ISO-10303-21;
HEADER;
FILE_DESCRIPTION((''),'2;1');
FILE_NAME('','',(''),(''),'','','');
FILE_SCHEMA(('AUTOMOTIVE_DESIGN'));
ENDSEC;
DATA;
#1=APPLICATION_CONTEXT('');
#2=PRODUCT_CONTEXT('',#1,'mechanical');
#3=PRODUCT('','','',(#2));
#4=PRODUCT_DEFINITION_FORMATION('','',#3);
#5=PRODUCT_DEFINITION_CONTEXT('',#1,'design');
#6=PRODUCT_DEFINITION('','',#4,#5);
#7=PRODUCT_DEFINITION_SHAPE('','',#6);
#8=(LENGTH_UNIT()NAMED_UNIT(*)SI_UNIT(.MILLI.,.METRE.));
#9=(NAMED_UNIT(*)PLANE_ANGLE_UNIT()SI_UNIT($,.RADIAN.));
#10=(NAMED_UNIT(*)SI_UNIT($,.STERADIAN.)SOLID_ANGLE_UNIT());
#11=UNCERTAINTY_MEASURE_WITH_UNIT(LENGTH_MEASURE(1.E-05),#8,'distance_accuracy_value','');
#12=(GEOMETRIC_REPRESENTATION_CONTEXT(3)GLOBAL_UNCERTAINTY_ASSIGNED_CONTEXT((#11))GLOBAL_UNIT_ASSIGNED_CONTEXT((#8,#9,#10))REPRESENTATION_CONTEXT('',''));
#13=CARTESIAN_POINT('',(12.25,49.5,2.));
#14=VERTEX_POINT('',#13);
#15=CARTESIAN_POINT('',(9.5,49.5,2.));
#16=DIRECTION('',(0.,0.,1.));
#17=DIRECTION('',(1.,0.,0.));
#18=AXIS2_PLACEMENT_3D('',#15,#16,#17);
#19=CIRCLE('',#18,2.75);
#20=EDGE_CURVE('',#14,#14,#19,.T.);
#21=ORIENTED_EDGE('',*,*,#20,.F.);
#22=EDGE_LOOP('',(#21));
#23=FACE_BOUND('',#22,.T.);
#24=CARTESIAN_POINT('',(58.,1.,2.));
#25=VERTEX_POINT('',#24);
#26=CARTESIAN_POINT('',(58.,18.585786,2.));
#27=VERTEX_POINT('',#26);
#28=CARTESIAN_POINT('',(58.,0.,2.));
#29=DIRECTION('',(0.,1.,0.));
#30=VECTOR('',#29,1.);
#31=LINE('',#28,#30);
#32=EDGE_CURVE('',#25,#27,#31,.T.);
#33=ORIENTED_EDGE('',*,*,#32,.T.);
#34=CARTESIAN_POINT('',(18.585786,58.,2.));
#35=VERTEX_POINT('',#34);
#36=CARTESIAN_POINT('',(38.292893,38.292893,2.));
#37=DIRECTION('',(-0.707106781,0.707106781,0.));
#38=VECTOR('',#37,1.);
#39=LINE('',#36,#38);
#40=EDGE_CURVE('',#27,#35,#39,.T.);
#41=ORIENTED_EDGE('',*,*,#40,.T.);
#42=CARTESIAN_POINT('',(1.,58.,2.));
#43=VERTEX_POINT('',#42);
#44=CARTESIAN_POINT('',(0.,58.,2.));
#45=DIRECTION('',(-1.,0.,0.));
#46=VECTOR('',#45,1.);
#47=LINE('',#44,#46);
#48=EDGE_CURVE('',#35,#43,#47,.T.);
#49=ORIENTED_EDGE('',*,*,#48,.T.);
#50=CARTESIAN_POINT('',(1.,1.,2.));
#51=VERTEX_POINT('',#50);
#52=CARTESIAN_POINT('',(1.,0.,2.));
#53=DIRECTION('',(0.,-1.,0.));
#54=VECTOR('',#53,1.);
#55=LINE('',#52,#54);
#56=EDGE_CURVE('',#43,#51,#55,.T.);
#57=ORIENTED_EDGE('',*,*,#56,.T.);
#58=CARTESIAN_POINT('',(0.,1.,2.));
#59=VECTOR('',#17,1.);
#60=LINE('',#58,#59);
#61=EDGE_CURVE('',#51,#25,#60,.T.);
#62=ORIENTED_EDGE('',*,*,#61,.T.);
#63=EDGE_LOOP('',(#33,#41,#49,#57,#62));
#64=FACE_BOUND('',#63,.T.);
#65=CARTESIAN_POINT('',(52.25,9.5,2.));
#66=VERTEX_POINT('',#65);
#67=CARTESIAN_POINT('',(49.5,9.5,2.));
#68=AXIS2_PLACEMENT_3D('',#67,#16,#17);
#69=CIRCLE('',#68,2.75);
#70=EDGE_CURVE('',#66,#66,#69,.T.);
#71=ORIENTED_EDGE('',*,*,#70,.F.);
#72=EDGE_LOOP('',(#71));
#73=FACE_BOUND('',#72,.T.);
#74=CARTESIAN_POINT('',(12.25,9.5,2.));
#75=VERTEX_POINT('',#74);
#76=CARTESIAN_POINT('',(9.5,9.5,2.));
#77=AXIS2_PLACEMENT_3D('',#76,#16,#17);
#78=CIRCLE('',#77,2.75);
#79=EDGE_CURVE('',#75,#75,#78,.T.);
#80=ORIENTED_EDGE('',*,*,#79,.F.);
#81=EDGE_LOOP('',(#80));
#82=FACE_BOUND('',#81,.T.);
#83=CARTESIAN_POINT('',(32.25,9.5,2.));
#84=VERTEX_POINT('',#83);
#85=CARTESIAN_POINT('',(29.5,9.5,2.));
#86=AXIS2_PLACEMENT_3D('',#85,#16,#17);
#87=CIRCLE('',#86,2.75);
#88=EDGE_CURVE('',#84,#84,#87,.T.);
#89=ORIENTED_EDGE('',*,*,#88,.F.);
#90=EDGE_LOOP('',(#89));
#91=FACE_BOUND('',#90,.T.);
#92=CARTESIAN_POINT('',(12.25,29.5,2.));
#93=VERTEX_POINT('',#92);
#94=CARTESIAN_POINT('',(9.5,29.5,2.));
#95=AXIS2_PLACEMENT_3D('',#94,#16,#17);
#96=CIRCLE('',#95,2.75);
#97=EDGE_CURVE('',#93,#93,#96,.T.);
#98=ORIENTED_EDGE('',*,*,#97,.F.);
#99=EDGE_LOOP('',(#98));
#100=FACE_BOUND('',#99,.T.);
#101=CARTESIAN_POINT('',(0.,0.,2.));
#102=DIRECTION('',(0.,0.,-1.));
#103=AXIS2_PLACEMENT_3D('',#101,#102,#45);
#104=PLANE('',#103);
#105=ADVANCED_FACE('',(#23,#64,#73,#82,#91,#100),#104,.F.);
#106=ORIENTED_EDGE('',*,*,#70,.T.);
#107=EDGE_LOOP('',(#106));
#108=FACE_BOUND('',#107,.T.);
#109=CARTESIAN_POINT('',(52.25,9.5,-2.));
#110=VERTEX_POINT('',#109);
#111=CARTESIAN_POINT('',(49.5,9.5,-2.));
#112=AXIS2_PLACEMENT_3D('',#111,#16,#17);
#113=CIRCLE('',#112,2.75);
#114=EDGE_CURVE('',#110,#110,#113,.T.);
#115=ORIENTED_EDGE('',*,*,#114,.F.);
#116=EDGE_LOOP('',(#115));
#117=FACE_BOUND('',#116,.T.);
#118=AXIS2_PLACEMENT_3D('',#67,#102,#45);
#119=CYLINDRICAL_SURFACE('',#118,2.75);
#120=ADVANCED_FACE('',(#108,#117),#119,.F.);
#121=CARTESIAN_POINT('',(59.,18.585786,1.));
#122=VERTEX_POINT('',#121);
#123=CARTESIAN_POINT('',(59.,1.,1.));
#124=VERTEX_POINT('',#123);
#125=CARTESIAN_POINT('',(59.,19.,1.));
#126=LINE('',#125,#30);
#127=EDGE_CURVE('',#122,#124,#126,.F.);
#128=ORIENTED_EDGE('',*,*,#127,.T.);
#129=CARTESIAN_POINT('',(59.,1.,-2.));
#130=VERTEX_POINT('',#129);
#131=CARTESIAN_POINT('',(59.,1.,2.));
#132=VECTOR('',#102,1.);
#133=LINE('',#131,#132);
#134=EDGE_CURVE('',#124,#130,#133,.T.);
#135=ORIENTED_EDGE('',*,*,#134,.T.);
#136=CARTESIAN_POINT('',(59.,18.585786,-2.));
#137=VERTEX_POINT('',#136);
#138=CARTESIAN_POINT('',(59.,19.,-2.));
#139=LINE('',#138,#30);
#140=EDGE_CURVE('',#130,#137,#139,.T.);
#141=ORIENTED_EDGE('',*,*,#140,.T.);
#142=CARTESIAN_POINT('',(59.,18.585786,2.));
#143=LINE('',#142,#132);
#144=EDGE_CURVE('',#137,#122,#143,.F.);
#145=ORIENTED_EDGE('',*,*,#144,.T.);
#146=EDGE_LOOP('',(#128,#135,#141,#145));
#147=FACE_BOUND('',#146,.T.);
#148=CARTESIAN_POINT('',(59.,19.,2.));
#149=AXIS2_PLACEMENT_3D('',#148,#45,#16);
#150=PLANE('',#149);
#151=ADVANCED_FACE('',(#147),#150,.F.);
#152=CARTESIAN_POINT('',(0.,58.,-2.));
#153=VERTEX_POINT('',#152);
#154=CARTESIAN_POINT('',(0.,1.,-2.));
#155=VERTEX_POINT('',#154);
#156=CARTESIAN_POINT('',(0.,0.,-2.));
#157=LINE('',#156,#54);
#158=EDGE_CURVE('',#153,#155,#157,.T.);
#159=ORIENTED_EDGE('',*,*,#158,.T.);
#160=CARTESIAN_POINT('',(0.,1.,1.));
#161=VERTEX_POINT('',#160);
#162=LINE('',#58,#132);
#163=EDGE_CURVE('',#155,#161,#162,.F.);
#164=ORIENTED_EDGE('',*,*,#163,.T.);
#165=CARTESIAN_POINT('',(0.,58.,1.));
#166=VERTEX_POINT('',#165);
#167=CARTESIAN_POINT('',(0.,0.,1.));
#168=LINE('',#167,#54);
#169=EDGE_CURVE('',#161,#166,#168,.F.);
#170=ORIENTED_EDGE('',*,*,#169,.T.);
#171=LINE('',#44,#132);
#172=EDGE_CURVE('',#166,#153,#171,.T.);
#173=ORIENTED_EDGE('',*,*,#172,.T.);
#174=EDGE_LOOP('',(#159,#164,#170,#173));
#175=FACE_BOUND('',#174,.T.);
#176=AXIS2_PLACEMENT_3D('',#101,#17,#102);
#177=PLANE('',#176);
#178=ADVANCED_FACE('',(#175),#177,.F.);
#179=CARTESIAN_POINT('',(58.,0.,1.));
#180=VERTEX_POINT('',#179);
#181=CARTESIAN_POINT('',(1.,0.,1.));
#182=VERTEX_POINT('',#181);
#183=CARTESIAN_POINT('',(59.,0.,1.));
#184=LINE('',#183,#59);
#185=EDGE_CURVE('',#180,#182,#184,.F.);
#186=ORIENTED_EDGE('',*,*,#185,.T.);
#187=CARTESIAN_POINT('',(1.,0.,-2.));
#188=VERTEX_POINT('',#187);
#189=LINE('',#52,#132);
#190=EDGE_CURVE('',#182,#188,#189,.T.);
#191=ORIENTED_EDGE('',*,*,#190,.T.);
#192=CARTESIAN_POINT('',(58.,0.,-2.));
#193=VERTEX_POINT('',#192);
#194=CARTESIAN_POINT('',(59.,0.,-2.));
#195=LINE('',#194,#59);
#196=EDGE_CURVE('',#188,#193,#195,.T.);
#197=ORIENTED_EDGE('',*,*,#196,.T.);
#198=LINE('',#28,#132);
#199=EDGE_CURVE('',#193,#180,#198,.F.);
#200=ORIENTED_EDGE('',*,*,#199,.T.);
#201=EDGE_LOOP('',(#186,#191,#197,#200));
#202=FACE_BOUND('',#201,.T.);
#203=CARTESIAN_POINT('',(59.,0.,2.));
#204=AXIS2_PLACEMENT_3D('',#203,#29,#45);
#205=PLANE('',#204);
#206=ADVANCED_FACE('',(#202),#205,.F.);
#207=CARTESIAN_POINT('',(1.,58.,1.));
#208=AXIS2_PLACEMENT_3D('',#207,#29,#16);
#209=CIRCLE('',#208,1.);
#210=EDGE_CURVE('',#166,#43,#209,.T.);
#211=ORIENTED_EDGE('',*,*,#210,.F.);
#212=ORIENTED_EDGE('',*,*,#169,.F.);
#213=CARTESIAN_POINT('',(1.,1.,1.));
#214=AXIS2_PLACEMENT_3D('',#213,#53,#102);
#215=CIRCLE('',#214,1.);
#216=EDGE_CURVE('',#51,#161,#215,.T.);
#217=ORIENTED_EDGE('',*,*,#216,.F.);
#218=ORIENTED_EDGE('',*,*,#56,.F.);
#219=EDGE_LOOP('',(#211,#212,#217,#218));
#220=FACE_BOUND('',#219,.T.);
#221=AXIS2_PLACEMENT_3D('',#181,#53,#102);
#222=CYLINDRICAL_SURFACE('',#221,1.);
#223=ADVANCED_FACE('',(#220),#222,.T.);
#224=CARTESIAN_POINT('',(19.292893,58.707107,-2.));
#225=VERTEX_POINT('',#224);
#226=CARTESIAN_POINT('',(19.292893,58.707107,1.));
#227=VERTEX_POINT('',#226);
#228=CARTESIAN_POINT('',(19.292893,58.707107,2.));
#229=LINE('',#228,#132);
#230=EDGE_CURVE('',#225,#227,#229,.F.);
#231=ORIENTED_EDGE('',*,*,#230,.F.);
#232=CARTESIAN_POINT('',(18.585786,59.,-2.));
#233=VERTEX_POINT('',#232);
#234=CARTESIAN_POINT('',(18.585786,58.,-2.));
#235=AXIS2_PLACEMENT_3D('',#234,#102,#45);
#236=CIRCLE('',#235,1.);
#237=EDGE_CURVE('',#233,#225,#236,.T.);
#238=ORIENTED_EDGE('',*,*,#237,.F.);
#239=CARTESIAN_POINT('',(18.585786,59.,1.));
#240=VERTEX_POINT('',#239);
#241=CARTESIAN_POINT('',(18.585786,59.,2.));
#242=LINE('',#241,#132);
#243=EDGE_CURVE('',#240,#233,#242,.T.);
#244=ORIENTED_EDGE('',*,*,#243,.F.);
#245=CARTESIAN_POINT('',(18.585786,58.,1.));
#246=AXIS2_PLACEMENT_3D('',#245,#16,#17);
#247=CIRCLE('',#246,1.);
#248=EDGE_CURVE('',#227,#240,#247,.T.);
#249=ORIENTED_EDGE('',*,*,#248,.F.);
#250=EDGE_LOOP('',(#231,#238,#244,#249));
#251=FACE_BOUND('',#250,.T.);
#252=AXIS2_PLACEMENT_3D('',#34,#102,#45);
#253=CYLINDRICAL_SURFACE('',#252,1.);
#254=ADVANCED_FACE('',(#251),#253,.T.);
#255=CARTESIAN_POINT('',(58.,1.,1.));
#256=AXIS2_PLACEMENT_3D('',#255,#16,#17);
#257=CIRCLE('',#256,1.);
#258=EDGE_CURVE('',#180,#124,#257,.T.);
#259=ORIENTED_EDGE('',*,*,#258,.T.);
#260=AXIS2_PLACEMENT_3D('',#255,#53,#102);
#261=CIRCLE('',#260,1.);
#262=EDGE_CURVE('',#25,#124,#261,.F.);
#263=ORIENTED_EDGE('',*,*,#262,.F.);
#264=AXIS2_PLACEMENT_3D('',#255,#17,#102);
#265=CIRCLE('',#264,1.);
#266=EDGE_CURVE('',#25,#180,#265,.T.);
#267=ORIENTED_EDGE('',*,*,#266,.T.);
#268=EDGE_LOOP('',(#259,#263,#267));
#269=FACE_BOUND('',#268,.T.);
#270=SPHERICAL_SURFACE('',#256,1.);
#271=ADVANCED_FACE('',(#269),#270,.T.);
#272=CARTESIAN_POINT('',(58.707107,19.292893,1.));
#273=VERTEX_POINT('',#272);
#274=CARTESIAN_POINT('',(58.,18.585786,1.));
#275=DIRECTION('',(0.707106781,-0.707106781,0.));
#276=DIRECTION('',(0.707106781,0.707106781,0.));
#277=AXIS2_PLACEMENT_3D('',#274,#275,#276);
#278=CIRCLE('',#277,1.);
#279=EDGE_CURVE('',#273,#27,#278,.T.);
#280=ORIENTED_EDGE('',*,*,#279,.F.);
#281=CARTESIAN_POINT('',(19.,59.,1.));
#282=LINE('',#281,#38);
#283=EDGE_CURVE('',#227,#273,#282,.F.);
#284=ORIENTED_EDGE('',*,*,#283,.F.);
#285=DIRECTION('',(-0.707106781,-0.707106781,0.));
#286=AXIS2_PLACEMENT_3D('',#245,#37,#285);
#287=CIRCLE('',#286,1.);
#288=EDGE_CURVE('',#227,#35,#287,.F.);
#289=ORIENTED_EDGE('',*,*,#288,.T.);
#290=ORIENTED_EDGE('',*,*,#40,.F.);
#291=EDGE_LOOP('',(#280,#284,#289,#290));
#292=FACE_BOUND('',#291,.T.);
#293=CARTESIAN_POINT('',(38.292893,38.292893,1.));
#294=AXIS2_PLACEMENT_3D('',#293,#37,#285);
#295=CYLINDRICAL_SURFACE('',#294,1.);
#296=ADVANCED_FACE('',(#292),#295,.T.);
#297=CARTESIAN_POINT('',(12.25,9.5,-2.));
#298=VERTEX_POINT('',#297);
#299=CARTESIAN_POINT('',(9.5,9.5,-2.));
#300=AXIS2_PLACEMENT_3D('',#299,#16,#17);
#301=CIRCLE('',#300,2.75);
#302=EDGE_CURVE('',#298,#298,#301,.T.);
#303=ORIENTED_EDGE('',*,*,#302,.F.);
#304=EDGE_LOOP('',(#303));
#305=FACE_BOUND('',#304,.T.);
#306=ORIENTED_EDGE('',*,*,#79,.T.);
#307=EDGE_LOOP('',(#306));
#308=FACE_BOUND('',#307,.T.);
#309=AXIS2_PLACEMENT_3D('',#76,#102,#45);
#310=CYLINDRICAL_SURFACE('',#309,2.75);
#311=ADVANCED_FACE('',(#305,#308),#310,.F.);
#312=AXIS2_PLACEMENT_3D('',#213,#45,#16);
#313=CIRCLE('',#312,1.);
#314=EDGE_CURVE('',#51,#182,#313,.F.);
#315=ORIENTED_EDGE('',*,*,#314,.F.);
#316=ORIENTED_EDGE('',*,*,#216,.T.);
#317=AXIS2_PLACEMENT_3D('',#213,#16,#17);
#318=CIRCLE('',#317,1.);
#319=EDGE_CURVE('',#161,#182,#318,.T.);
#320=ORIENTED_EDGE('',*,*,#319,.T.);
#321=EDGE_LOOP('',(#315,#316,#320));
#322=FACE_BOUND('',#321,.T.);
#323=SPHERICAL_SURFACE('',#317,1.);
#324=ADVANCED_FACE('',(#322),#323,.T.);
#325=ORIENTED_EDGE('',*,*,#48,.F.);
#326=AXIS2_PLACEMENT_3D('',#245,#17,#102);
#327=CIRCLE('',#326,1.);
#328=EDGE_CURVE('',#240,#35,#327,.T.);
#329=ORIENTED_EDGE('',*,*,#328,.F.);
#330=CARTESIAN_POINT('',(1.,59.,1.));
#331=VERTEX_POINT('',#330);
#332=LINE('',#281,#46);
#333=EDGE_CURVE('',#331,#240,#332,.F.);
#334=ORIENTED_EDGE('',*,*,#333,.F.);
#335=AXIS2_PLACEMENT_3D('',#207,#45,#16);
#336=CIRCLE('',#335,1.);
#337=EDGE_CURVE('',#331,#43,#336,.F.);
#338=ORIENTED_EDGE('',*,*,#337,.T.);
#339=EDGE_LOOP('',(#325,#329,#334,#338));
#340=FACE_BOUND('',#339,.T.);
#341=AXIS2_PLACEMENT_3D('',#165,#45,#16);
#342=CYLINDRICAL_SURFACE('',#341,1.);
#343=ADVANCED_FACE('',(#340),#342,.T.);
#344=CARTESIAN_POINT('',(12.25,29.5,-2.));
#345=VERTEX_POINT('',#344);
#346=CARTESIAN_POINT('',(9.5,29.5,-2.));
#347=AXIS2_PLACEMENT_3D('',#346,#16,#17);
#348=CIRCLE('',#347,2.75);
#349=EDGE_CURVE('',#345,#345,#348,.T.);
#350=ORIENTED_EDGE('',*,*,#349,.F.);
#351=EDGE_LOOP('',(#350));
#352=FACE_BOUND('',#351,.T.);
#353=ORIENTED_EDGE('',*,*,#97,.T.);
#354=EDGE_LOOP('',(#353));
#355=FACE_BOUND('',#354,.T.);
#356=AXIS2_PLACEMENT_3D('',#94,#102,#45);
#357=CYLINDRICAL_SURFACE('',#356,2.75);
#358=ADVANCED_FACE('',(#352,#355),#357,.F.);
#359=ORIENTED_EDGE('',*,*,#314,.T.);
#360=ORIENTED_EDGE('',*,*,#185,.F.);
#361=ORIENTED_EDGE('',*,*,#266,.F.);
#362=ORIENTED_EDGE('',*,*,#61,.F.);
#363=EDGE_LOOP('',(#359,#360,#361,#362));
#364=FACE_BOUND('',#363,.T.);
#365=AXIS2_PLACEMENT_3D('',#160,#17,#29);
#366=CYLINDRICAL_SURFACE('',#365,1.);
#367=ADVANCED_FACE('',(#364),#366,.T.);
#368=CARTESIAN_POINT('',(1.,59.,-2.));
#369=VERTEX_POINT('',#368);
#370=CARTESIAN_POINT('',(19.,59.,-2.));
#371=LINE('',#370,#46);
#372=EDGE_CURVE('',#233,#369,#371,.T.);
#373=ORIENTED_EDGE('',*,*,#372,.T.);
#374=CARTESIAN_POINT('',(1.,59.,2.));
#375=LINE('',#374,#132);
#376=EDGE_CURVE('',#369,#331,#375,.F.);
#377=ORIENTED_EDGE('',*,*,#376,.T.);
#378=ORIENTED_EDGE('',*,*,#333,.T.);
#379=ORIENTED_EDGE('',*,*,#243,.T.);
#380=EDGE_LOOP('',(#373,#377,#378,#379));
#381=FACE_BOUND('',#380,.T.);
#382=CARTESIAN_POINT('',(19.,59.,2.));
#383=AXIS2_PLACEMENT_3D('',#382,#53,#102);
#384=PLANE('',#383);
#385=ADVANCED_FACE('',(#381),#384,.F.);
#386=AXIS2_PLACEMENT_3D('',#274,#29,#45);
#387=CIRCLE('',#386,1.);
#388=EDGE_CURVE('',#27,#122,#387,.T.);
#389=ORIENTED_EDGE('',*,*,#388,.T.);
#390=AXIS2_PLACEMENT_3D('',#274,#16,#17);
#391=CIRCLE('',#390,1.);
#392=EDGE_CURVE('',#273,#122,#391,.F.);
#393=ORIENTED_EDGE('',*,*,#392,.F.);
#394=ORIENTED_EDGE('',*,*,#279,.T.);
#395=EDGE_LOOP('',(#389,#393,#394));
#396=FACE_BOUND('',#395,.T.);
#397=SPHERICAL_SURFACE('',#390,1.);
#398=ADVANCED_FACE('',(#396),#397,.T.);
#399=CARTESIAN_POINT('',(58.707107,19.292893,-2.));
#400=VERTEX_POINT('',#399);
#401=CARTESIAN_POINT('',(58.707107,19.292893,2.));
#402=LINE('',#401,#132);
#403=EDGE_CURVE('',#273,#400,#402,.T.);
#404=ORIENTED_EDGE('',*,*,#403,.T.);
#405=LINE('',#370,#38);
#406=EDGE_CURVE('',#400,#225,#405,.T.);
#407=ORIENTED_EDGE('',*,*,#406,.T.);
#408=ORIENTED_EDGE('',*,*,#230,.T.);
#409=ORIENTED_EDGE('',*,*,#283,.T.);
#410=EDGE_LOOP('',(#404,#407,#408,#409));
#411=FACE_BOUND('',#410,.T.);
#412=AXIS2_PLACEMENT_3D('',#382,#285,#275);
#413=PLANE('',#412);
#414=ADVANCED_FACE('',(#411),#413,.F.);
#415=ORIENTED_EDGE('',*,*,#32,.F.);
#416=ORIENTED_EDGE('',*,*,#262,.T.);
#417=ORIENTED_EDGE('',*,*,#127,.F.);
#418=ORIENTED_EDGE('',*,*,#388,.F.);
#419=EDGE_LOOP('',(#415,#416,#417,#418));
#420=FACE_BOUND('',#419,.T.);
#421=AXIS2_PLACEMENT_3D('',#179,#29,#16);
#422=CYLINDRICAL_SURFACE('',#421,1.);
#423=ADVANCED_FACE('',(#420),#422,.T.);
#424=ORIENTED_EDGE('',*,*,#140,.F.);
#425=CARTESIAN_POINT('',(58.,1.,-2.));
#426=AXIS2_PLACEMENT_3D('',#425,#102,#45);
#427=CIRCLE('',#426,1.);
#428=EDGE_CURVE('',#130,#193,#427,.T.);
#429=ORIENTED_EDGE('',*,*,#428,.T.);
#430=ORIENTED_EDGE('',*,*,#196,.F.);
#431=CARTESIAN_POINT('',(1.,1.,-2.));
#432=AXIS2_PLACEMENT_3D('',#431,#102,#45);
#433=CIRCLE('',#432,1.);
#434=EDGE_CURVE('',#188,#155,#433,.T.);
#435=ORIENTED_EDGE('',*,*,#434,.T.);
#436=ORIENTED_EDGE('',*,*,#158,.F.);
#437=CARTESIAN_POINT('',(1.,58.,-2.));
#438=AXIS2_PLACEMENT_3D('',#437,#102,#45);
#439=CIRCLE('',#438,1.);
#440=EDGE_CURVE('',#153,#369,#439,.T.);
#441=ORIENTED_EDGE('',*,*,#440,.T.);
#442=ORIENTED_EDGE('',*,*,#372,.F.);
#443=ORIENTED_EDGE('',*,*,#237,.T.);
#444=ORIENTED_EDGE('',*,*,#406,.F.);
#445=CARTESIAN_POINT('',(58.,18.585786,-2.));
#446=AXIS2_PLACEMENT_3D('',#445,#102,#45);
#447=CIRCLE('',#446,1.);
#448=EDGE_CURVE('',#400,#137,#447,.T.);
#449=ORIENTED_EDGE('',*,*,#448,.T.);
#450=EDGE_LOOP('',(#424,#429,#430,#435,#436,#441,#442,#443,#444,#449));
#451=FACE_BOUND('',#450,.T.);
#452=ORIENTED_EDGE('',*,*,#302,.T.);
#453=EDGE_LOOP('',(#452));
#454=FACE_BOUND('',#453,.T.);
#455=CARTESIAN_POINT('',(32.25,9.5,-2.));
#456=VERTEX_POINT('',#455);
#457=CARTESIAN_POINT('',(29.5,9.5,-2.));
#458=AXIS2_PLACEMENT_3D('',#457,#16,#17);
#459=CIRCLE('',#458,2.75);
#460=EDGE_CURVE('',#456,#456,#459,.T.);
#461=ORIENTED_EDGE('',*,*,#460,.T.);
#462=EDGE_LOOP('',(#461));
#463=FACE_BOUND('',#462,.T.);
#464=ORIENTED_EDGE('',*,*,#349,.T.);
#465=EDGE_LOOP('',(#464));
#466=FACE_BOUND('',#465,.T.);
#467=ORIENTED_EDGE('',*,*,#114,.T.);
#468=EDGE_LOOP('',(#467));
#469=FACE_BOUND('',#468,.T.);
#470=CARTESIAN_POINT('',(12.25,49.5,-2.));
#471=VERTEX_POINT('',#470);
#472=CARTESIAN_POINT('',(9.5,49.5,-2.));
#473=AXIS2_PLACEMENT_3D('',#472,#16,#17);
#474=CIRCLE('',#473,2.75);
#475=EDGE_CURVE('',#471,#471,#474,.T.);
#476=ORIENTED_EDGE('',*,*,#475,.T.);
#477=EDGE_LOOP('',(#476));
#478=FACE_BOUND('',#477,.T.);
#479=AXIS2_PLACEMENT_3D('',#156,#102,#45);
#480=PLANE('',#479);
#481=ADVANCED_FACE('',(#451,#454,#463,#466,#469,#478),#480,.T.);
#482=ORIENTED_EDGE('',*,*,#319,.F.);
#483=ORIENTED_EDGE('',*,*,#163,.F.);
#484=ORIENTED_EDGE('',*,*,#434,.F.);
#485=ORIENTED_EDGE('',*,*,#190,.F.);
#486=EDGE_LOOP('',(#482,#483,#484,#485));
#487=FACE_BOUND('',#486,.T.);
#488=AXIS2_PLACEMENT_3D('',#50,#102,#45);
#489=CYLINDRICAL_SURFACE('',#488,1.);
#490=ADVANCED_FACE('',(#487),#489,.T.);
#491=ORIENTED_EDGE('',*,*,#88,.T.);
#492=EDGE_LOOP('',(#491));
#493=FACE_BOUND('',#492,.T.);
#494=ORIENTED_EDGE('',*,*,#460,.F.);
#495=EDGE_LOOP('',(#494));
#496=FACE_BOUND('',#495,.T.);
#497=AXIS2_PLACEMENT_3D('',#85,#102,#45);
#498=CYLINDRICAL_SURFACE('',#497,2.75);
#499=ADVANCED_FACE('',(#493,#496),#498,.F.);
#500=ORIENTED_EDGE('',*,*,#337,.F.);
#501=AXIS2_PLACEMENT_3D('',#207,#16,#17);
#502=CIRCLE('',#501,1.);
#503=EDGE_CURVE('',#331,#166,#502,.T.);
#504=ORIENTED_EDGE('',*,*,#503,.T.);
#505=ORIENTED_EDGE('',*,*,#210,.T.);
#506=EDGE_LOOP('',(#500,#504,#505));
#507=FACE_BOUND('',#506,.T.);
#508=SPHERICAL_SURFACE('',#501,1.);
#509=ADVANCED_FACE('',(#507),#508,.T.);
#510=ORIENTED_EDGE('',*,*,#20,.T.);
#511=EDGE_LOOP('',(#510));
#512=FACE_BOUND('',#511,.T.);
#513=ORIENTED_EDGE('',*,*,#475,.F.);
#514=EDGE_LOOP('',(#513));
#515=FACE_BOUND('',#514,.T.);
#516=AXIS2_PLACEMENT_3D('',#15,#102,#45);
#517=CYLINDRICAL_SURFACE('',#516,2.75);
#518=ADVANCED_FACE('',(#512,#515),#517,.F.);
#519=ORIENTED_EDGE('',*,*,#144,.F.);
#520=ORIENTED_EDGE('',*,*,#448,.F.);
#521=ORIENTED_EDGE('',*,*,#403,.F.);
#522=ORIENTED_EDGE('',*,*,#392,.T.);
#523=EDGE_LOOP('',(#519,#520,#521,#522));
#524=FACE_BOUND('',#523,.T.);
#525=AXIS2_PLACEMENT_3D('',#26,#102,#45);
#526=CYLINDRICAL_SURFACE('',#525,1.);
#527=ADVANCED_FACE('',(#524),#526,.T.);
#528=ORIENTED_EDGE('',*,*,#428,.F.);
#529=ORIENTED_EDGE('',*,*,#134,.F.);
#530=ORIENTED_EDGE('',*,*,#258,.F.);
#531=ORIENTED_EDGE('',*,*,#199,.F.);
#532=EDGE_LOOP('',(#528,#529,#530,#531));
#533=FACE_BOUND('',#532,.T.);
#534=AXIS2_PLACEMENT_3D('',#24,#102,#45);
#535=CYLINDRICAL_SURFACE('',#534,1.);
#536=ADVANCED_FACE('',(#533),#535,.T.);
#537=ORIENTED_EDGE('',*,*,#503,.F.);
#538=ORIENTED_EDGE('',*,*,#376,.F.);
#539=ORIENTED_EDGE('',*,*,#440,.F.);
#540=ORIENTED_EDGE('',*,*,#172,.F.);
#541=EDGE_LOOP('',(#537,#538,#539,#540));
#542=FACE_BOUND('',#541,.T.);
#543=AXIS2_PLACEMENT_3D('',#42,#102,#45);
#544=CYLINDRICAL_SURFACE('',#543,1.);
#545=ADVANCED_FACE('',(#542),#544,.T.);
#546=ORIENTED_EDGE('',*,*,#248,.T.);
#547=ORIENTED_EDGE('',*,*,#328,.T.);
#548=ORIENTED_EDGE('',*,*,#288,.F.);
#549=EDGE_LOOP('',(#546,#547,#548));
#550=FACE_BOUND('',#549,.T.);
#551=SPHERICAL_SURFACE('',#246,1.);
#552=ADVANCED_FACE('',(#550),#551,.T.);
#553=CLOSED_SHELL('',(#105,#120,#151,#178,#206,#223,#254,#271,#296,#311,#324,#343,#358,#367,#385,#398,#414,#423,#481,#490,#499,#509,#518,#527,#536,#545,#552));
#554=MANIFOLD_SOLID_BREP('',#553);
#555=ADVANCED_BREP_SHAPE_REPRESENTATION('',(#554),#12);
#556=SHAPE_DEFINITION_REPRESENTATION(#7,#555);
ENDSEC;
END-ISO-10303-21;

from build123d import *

# Parameters (mm, degrees)
SKETCH1_R           = 2.75
BOSS_EXTRUDE1_DEPTH = 2
FILLET1_R           = 1


with BuildPart() as part:
    # Sketch1 → Boss-Extrude1 (new body, symmetric)
    with BuildSketch(Plane.XY):
        Polygon((0, 0), (0, 59), (19, 59), (59, 19), (59, 0), align=None)
        with Locations((9.5, 9.5)):
            Circle(SKETCH1_R, mode=Mode.SUBTRACT)
        with Locations((29.5, 9.5)):
            Circle(SKETCH1_R, mode=Mode.SUBTRACT)
        with Locations((49.5, 9.5)):
            Circle(SKETCH1_R, mode=Mode.SUBTRACT)
        with Locations((9.5, 29.5)):
            Circle(SKETCH1_R, mode=Mode.SUBTRACT)
        with Locations((9.5, 49.5)):
            Circle(SKETCH1_R, mode=Mode.SUBTRACT)
    extrude(amount=BOSS_EXTRUDE1_DEPTH, both=True)

    # Fillet1
    fillet1_edges = [part.edges().sort_by_distance(p)[0] for p in [
        (39, 39, 2),
        (9.5, 59, 2),
        (0, 29.5, 2),
        (29.5, 0, 2),
        (59, 9.5, 2),
        (0, 0, 0),
        (0, 59, 0),
        (19, 59, 0),
        (59, 19, 0),
        (59, 0, 0),
    ]]
    fillet(fillet1_edges, radius=FILLET1_R)


solid = part.part
